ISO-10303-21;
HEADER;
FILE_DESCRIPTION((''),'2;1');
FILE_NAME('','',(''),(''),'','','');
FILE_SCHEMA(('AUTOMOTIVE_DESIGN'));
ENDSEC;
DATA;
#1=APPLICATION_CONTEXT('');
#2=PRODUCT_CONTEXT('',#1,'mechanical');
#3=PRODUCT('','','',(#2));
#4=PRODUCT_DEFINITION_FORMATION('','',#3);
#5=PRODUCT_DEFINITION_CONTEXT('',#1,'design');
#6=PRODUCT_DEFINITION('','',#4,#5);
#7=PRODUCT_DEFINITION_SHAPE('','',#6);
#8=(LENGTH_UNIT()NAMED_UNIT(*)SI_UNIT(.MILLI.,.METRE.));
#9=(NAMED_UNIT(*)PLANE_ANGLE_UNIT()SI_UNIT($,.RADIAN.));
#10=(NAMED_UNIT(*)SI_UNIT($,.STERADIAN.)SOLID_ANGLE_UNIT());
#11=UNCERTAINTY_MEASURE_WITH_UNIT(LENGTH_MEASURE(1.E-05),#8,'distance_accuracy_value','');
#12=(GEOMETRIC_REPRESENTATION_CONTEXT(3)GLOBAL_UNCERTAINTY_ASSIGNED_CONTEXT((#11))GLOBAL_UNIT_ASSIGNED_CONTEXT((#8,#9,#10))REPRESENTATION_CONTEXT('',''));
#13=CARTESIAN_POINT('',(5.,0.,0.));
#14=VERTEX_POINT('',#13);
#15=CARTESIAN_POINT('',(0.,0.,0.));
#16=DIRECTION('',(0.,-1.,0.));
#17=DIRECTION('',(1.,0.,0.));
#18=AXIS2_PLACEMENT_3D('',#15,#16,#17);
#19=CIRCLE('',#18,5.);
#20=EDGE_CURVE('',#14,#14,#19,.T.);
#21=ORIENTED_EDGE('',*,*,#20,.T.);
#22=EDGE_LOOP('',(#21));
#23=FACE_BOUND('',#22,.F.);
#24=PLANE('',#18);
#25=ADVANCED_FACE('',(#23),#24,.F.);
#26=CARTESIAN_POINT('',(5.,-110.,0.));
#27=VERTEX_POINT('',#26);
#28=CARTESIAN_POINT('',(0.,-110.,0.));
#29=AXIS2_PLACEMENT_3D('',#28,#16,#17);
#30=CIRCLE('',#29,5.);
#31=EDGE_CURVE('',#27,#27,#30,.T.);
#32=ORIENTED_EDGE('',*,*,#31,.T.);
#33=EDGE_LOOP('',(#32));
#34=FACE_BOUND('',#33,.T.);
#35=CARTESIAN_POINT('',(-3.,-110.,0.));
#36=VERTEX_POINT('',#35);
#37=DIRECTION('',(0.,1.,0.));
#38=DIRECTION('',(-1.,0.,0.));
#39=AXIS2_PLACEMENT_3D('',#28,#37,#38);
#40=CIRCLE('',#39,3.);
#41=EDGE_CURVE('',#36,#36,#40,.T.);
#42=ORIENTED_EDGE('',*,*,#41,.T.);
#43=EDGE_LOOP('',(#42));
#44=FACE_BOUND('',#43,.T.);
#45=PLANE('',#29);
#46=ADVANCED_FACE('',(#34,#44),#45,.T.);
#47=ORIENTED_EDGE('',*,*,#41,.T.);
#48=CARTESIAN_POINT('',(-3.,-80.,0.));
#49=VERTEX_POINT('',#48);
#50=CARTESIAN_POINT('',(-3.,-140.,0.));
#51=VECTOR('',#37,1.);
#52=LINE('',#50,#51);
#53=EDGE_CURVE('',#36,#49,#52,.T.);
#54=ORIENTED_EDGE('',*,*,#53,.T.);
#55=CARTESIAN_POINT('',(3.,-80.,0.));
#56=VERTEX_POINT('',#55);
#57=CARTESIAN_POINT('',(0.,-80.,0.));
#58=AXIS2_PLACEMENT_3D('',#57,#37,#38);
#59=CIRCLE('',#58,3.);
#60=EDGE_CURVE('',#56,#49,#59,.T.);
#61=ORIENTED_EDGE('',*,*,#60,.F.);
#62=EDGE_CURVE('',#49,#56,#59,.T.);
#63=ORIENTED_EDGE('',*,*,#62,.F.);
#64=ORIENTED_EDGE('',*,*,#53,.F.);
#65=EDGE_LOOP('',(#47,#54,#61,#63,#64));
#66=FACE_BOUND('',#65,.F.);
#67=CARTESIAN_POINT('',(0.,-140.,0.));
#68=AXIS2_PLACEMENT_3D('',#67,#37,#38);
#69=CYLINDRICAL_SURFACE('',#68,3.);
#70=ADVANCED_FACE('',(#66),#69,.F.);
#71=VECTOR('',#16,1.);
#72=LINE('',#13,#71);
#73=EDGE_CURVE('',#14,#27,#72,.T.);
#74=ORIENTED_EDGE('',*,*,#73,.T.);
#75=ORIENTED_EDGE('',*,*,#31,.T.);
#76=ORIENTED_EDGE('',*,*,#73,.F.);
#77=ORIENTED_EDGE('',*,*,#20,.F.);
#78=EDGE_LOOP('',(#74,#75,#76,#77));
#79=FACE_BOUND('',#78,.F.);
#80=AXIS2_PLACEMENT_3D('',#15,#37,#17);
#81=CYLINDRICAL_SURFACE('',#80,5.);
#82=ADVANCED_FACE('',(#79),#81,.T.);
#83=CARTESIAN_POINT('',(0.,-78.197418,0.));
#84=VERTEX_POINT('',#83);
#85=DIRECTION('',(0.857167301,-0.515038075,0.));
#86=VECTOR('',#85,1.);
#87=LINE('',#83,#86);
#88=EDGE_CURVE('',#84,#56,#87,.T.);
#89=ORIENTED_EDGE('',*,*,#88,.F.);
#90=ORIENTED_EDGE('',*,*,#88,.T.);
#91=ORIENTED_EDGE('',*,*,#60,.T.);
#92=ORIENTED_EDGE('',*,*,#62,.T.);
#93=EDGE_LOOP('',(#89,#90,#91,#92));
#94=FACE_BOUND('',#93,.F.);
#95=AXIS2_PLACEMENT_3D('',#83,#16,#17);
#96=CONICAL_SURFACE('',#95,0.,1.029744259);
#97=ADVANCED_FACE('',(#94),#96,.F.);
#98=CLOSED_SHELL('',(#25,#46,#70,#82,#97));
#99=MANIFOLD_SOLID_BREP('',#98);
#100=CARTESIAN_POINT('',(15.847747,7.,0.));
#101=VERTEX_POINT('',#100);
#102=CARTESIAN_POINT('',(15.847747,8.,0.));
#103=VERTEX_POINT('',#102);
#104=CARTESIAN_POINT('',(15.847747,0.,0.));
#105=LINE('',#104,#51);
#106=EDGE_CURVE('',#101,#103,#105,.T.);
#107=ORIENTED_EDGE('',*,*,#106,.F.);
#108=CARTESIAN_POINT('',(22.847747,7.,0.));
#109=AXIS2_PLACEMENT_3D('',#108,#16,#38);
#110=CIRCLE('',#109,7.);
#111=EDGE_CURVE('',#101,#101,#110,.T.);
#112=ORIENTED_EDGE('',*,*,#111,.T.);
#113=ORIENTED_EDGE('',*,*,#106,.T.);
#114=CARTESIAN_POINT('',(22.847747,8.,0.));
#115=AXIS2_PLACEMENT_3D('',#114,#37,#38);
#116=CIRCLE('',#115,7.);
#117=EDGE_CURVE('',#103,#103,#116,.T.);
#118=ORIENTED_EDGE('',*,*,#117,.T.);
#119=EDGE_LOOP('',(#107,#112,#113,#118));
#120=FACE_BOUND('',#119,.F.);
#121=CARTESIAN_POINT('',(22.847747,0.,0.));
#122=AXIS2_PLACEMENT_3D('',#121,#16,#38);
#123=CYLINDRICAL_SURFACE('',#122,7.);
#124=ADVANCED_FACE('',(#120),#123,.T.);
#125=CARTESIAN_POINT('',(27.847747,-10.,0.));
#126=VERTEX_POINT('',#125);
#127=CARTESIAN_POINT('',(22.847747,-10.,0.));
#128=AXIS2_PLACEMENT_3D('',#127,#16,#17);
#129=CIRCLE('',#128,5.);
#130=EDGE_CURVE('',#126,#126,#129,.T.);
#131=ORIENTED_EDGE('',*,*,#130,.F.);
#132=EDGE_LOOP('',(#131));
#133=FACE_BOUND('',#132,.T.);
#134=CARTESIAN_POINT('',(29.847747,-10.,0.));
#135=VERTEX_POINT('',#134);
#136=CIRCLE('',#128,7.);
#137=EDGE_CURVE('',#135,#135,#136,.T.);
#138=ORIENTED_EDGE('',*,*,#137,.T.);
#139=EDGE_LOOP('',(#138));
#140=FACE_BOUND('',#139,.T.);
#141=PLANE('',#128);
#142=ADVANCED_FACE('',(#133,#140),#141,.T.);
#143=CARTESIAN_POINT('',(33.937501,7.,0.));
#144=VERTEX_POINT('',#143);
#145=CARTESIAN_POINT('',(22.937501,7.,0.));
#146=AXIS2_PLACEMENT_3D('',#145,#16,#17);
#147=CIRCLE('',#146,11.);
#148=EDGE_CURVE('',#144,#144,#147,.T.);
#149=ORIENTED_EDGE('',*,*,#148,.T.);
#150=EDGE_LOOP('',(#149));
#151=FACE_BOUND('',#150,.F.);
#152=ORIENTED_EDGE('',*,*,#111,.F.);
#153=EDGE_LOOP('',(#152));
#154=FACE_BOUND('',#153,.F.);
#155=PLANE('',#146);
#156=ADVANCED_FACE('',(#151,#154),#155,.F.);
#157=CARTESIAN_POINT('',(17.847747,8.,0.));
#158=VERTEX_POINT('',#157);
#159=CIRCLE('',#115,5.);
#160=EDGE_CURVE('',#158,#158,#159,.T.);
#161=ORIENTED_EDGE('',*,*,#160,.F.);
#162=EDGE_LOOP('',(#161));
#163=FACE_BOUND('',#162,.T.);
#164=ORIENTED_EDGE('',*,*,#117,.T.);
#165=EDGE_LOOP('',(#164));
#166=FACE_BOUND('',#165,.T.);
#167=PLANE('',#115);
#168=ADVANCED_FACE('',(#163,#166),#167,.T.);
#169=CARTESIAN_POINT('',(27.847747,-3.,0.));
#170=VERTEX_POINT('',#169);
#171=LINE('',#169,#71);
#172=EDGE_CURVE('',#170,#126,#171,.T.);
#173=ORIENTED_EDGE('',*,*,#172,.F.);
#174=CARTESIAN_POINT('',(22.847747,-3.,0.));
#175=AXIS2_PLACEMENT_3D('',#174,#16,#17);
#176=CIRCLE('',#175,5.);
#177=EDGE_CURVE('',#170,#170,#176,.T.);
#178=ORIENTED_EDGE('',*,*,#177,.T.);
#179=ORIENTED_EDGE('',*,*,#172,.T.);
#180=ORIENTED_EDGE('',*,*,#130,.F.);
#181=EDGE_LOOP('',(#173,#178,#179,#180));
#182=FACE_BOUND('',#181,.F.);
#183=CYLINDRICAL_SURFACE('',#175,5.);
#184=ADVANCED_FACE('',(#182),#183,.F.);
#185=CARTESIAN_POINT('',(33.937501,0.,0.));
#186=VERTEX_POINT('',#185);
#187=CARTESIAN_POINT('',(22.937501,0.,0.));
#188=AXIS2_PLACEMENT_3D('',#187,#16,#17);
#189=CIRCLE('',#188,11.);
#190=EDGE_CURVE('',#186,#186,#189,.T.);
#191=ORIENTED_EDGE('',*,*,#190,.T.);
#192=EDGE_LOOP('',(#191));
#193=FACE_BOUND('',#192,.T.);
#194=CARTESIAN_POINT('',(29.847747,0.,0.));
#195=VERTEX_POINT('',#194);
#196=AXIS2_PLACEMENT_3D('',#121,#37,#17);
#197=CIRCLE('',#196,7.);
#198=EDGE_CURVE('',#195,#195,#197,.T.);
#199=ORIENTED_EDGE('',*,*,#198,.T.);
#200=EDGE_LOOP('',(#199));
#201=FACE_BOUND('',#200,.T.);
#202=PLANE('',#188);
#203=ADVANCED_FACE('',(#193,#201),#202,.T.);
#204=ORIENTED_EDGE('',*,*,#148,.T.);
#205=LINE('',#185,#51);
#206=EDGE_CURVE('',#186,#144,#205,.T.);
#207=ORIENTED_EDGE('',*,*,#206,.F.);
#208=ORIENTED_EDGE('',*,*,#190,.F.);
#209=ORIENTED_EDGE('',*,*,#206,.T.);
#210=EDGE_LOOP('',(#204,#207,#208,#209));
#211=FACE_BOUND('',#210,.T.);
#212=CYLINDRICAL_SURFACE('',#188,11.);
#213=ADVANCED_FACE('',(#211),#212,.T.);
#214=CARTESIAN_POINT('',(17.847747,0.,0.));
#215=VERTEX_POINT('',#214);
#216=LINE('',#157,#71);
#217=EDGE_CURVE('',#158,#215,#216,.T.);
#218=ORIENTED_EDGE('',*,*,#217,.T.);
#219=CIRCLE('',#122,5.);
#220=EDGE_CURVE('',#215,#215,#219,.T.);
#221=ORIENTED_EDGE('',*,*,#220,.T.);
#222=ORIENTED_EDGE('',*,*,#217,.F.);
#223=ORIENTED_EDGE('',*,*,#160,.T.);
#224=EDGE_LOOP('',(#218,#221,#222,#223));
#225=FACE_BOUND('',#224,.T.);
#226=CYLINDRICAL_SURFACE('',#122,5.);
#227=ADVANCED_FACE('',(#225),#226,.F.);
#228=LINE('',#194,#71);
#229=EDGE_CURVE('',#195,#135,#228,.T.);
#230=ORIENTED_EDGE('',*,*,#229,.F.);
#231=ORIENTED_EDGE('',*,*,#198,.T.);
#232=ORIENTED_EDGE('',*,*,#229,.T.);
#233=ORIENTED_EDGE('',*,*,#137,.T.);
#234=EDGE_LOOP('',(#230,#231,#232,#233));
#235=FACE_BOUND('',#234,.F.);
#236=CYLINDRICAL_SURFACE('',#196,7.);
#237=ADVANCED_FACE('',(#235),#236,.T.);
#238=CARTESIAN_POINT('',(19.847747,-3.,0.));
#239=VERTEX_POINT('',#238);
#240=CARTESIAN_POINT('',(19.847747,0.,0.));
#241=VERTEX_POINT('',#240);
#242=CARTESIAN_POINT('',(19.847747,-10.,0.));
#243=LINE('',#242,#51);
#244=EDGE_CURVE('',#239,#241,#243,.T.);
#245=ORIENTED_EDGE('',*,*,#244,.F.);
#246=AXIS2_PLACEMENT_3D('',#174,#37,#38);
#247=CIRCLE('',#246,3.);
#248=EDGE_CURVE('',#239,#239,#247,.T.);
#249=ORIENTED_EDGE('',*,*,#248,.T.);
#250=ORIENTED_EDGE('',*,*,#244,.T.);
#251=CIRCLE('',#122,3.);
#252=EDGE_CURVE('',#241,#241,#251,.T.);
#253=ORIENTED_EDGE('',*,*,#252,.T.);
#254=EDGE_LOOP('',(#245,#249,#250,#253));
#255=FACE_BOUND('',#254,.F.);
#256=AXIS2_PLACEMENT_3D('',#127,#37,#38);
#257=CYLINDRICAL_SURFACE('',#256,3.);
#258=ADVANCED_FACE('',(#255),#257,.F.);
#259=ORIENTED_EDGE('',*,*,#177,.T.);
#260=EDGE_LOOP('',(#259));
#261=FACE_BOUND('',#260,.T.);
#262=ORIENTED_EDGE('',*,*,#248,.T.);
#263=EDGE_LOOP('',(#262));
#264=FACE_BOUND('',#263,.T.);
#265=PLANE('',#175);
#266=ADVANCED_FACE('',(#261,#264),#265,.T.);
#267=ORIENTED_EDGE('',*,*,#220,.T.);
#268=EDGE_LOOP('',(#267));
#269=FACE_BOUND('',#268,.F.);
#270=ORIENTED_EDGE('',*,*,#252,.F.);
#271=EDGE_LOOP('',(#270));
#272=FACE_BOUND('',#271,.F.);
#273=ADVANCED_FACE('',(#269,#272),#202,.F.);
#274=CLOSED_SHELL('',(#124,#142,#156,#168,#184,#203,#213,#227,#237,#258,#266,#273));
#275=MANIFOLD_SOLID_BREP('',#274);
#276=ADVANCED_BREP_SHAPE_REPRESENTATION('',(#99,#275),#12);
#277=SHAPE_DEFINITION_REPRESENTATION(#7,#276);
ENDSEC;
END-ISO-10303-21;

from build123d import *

# Parameters (mm, degrees)
F0_R           = 5
F1_DEPTH       = 110
F3_D           = 6
F3_DEPTH       = 30
F3_TIP         = 1.8025818571
F4_R           = 7
F5_DEPTH       = 10
F7_D           = 6
F7_DEPTH       = 10
F7_CBORE_D     = 10
F7_CBORE_DEPTH = 7
F7_TIP         = 1.8025818571
F8_R           = 7
F8_R_2         = 5
F9_DEPTH       = 8
F10_R          = 11
F11_DEPTH      = 7
F12_DEPTH      = 7


with BuildPart() as f1:
    # F0 (on Front) → F1 (new body)
    with BuildSketch(Plane.XZ):
        Circle(F0_R)
    extrude(amount=F1_DEPTH)

    # F3
    with Locations(Plane.XZ.offset(110)):
        with Locations((0, 0)):
            Hole(F3_D / 2, depth=F3_DEPTH)
            with Locations((0, 0, -(F3_DEPTH + F3_TIP / 2))):  # 118° drill point
                Cone(0, F3_D / 2, F3_TIP, mode=Mode.SUBTRACT)


with BuildPart() as f5:
    # F4 (on Front) → F5 (new body)
    with BuildSketch(Plane.XZ):
        with Locations((22.8477474302, 0)):
            Circle(F4_R)
    extrude(amount=F5_DEPTH)

    # F7
    with Locations(Plane.XZ.offset(10)):
        with Locations((22.8477474302, 0)):
            CounterBoreHole(F7_D / 2, F7_CBORE_D / 2, F7_CBORE_DEPTH, depth=F7_DEPTH)
            with Locations((0, 0, -(F7_DEPTH + F7_TIP / 2))):  # 118° drill point
                Cone(0, F7_D / 2, F7_TIP, mode=Mode.SUBTRACT)

    # F8 (on face) → F9 (join)
    with BuildSketch(Plane(origin=(0, 0, 0), x_dir=(-1, 0, 0), z_dir=(0, 1, 0))):
        with Locations((-22.8477474302, 0)):
            Circle(F8_R)
        with Locations((-22.8477474302, 0)):
            Circle(F8_R_2, mode=Mode.SUBTRACT)
    extrude(amount=F9_DEPTH)

    # F10 (on Front) → F11 (join)
    with BuildSketch(Plane.XZ):
        with Locations((22.9375008494, 0)):
            Circle(F10_R)
    extrude(amount=-F11_DEPTH)

    # F12 (cut): a face of the model
    f12_faces = [f5.faces().sort_by_distance(p)[0] for p in [
        (22.8477474302, 7, 0),
    ]]
    extrude(f12_faces, amount=-F12_DEPTH, mode=Mode.SUBTRACT)


solid = Compound([f1.part, f5.part])
